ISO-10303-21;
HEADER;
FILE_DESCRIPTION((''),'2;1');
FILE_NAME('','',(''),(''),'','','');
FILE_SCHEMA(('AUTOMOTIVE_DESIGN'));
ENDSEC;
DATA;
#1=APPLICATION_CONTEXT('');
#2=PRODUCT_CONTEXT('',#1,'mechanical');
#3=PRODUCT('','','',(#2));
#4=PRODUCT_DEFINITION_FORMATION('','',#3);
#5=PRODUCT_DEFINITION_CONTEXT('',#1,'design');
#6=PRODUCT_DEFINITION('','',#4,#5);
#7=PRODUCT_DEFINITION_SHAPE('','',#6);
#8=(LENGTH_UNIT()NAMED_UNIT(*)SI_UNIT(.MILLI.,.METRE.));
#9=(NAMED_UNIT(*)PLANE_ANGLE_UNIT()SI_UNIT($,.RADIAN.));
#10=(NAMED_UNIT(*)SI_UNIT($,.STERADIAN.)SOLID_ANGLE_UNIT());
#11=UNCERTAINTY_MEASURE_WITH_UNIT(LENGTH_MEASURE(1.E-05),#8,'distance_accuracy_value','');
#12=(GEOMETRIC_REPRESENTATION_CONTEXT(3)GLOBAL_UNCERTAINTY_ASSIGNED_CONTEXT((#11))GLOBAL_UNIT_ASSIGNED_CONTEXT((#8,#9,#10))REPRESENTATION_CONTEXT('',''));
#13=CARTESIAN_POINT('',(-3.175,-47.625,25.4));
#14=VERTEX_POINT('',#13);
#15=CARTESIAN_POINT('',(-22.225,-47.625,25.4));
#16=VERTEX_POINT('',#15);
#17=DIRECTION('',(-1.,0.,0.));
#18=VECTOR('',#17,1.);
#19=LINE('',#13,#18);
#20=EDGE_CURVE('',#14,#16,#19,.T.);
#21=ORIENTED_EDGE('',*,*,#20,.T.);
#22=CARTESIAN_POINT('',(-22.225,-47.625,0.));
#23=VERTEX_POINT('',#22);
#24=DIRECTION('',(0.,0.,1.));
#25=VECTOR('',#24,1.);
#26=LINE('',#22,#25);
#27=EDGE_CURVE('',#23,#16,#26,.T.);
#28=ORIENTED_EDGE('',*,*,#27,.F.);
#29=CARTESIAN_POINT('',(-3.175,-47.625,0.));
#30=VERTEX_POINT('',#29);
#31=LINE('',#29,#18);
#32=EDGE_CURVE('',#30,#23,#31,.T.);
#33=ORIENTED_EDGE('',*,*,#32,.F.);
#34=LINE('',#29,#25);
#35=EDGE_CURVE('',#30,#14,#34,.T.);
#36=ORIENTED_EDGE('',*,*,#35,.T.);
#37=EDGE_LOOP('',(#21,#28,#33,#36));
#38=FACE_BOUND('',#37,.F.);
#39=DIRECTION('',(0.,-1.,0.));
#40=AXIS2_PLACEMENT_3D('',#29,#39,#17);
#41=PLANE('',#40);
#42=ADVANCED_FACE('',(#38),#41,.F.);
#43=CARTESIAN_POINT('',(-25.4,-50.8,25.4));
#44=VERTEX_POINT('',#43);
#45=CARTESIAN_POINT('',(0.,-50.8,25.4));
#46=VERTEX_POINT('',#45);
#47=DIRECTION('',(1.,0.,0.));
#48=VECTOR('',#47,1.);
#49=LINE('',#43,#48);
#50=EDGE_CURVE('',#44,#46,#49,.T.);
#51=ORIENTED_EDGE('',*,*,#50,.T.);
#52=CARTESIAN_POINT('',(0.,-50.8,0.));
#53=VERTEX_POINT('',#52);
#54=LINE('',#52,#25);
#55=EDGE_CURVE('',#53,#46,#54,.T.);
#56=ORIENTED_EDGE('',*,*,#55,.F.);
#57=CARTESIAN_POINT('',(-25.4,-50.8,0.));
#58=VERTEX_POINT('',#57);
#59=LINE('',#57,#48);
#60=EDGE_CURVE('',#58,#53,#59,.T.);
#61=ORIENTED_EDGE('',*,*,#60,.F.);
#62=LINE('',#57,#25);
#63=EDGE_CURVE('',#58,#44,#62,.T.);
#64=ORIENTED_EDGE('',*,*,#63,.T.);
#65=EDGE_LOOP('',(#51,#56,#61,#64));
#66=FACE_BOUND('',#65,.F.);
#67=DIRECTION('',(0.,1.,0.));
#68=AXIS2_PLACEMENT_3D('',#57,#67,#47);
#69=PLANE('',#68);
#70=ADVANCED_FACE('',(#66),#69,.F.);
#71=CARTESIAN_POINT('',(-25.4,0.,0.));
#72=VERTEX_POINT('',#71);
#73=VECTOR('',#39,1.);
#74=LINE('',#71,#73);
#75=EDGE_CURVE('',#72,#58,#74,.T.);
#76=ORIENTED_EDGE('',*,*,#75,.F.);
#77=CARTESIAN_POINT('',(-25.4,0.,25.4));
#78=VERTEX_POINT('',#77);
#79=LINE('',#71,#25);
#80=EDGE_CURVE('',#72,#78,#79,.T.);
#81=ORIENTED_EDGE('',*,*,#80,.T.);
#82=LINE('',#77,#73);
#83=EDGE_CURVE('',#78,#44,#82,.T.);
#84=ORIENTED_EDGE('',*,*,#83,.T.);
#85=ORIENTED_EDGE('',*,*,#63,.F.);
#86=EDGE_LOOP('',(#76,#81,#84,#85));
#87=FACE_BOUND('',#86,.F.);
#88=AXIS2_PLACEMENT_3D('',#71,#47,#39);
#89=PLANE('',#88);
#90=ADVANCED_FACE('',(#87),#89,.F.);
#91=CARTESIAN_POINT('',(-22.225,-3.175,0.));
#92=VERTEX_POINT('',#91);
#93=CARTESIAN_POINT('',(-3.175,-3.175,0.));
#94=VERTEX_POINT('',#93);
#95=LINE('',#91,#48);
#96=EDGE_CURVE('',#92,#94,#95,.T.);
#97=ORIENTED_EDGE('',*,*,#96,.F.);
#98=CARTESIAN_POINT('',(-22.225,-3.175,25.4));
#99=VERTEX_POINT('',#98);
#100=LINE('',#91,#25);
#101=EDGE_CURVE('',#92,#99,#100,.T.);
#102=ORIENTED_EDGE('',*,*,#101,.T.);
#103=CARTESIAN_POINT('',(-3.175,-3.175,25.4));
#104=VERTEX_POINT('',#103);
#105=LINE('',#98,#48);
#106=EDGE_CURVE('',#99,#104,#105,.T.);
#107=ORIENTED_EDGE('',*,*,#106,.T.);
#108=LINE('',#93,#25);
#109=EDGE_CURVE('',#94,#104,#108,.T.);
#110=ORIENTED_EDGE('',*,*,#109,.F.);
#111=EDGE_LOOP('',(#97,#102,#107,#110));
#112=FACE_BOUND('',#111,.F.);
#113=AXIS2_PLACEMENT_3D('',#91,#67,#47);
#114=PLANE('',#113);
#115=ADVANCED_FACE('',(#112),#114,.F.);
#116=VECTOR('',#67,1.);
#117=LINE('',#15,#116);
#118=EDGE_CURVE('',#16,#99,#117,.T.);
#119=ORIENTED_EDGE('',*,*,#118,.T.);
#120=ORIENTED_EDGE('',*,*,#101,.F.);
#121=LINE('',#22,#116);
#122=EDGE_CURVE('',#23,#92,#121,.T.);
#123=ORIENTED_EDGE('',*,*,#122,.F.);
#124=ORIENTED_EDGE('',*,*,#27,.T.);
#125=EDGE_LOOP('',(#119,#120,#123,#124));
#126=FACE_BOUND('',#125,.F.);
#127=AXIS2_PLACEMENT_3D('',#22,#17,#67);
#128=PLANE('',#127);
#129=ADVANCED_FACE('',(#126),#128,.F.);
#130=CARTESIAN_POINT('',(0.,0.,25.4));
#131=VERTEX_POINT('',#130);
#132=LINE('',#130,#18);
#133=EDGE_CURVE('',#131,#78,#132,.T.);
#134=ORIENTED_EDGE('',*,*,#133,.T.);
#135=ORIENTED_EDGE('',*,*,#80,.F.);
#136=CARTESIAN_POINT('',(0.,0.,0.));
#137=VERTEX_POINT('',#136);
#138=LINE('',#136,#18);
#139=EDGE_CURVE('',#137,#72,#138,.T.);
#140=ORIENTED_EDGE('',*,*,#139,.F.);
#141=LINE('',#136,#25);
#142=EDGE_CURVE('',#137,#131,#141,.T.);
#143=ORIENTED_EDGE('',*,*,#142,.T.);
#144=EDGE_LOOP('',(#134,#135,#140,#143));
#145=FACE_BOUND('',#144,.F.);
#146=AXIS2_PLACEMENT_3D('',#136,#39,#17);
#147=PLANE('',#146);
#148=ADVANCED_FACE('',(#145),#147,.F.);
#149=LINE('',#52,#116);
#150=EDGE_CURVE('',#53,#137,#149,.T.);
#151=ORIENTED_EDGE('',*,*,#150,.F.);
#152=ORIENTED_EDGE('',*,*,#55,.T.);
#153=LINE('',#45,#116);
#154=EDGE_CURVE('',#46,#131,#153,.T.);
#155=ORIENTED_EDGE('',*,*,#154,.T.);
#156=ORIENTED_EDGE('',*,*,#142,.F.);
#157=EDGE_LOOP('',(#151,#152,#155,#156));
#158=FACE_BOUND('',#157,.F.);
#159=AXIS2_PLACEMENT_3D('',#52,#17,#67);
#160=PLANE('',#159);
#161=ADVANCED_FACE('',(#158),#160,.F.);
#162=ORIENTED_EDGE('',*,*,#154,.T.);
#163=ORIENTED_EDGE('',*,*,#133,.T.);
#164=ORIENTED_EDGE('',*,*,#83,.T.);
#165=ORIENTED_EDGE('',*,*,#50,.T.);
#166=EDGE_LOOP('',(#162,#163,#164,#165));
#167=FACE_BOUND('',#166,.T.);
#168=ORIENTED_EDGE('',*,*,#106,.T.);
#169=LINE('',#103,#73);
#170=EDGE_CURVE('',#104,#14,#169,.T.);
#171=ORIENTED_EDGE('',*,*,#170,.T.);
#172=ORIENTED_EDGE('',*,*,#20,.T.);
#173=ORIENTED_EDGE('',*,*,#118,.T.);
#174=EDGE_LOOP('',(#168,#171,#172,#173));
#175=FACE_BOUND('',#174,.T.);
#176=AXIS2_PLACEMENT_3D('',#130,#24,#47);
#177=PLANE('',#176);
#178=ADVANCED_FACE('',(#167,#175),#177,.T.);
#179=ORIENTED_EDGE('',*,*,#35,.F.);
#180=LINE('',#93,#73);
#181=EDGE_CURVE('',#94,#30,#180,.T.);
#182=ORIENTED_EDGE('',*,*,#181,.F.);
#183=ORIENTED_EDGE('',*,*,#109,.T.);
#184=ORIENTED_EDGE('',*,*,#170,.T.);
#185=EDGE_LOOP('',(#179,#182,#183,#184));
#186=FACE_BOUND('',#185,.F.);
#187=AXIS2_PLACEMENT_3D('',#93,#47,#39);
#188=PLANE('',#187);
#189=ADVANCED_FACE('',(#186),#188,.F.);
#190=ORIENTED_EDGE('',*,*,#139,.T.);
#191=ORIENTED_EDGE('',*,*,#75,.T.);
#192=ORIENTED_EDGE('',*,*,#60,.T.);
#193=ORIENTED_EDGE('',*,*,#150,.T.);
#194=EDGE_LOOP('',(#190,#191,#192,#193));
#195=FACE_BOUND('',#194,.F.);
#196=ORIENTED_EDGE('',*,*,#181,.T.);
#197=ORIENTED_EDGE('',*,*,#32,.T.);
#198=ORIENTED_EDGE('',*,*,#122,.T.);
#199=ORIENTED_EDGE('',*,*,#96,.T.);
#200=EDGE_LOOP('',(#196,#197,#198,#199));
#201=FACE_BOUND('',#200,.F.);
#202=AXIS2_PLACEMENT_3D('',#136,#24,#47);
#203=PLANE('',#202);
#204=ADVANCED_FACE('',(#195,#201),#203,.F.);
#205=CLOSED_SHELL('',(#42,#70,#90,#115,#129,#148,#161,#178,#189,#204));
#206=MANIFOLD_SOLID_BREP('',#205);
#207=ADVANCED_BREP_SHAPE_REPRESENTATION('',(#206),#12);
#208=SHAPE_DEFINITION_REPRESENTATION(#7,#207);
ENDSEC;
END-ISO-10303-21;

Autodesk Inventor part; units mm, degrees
ref_plane "YZ Plane" through (0, 0, 0) normal (1, 0, 0) x (0, 1, 0)
ref_plane "XZ Plane" through (0, 0, 0) normal (0, 1, 0) x (-1, 0, 0)
ref_plane "XY Plane" through (0, 0, 0) normal (0, 0, 1) x (1, 0, 0)
sketch "Sketch1" plane through (0, 0, 0) normal (0, 0, 1) x (1, 0, 0)
  line L0 (0, 0) -> (-25.4, 0)
  line L1 (-25.4, 0) -> (-25.4, -50.8)
  line L2 (-25.4, -50.8) -> (0, -50.8)
  line L3 (0, -50.8) -> (0, 0)
  line L4 (-22.225, -3.175) -> (-3.175, -3.175)
  line L5 (-3.175, -3.175) -> (-3.175, -47.625)
  line L6 (-3.175, -47.625) -> (-22.225, -47.625)
  line L7 (-22.225, -47.625) -> (-22.225, -3.175)
  dimension "d0" = 25.4
  dimension "d1" = 50.8
  dimension "d2" = 3.175
extrude "Extrusion1" add sketch "Sketch1" along normal blind 25.4
properties part number "hinge"
